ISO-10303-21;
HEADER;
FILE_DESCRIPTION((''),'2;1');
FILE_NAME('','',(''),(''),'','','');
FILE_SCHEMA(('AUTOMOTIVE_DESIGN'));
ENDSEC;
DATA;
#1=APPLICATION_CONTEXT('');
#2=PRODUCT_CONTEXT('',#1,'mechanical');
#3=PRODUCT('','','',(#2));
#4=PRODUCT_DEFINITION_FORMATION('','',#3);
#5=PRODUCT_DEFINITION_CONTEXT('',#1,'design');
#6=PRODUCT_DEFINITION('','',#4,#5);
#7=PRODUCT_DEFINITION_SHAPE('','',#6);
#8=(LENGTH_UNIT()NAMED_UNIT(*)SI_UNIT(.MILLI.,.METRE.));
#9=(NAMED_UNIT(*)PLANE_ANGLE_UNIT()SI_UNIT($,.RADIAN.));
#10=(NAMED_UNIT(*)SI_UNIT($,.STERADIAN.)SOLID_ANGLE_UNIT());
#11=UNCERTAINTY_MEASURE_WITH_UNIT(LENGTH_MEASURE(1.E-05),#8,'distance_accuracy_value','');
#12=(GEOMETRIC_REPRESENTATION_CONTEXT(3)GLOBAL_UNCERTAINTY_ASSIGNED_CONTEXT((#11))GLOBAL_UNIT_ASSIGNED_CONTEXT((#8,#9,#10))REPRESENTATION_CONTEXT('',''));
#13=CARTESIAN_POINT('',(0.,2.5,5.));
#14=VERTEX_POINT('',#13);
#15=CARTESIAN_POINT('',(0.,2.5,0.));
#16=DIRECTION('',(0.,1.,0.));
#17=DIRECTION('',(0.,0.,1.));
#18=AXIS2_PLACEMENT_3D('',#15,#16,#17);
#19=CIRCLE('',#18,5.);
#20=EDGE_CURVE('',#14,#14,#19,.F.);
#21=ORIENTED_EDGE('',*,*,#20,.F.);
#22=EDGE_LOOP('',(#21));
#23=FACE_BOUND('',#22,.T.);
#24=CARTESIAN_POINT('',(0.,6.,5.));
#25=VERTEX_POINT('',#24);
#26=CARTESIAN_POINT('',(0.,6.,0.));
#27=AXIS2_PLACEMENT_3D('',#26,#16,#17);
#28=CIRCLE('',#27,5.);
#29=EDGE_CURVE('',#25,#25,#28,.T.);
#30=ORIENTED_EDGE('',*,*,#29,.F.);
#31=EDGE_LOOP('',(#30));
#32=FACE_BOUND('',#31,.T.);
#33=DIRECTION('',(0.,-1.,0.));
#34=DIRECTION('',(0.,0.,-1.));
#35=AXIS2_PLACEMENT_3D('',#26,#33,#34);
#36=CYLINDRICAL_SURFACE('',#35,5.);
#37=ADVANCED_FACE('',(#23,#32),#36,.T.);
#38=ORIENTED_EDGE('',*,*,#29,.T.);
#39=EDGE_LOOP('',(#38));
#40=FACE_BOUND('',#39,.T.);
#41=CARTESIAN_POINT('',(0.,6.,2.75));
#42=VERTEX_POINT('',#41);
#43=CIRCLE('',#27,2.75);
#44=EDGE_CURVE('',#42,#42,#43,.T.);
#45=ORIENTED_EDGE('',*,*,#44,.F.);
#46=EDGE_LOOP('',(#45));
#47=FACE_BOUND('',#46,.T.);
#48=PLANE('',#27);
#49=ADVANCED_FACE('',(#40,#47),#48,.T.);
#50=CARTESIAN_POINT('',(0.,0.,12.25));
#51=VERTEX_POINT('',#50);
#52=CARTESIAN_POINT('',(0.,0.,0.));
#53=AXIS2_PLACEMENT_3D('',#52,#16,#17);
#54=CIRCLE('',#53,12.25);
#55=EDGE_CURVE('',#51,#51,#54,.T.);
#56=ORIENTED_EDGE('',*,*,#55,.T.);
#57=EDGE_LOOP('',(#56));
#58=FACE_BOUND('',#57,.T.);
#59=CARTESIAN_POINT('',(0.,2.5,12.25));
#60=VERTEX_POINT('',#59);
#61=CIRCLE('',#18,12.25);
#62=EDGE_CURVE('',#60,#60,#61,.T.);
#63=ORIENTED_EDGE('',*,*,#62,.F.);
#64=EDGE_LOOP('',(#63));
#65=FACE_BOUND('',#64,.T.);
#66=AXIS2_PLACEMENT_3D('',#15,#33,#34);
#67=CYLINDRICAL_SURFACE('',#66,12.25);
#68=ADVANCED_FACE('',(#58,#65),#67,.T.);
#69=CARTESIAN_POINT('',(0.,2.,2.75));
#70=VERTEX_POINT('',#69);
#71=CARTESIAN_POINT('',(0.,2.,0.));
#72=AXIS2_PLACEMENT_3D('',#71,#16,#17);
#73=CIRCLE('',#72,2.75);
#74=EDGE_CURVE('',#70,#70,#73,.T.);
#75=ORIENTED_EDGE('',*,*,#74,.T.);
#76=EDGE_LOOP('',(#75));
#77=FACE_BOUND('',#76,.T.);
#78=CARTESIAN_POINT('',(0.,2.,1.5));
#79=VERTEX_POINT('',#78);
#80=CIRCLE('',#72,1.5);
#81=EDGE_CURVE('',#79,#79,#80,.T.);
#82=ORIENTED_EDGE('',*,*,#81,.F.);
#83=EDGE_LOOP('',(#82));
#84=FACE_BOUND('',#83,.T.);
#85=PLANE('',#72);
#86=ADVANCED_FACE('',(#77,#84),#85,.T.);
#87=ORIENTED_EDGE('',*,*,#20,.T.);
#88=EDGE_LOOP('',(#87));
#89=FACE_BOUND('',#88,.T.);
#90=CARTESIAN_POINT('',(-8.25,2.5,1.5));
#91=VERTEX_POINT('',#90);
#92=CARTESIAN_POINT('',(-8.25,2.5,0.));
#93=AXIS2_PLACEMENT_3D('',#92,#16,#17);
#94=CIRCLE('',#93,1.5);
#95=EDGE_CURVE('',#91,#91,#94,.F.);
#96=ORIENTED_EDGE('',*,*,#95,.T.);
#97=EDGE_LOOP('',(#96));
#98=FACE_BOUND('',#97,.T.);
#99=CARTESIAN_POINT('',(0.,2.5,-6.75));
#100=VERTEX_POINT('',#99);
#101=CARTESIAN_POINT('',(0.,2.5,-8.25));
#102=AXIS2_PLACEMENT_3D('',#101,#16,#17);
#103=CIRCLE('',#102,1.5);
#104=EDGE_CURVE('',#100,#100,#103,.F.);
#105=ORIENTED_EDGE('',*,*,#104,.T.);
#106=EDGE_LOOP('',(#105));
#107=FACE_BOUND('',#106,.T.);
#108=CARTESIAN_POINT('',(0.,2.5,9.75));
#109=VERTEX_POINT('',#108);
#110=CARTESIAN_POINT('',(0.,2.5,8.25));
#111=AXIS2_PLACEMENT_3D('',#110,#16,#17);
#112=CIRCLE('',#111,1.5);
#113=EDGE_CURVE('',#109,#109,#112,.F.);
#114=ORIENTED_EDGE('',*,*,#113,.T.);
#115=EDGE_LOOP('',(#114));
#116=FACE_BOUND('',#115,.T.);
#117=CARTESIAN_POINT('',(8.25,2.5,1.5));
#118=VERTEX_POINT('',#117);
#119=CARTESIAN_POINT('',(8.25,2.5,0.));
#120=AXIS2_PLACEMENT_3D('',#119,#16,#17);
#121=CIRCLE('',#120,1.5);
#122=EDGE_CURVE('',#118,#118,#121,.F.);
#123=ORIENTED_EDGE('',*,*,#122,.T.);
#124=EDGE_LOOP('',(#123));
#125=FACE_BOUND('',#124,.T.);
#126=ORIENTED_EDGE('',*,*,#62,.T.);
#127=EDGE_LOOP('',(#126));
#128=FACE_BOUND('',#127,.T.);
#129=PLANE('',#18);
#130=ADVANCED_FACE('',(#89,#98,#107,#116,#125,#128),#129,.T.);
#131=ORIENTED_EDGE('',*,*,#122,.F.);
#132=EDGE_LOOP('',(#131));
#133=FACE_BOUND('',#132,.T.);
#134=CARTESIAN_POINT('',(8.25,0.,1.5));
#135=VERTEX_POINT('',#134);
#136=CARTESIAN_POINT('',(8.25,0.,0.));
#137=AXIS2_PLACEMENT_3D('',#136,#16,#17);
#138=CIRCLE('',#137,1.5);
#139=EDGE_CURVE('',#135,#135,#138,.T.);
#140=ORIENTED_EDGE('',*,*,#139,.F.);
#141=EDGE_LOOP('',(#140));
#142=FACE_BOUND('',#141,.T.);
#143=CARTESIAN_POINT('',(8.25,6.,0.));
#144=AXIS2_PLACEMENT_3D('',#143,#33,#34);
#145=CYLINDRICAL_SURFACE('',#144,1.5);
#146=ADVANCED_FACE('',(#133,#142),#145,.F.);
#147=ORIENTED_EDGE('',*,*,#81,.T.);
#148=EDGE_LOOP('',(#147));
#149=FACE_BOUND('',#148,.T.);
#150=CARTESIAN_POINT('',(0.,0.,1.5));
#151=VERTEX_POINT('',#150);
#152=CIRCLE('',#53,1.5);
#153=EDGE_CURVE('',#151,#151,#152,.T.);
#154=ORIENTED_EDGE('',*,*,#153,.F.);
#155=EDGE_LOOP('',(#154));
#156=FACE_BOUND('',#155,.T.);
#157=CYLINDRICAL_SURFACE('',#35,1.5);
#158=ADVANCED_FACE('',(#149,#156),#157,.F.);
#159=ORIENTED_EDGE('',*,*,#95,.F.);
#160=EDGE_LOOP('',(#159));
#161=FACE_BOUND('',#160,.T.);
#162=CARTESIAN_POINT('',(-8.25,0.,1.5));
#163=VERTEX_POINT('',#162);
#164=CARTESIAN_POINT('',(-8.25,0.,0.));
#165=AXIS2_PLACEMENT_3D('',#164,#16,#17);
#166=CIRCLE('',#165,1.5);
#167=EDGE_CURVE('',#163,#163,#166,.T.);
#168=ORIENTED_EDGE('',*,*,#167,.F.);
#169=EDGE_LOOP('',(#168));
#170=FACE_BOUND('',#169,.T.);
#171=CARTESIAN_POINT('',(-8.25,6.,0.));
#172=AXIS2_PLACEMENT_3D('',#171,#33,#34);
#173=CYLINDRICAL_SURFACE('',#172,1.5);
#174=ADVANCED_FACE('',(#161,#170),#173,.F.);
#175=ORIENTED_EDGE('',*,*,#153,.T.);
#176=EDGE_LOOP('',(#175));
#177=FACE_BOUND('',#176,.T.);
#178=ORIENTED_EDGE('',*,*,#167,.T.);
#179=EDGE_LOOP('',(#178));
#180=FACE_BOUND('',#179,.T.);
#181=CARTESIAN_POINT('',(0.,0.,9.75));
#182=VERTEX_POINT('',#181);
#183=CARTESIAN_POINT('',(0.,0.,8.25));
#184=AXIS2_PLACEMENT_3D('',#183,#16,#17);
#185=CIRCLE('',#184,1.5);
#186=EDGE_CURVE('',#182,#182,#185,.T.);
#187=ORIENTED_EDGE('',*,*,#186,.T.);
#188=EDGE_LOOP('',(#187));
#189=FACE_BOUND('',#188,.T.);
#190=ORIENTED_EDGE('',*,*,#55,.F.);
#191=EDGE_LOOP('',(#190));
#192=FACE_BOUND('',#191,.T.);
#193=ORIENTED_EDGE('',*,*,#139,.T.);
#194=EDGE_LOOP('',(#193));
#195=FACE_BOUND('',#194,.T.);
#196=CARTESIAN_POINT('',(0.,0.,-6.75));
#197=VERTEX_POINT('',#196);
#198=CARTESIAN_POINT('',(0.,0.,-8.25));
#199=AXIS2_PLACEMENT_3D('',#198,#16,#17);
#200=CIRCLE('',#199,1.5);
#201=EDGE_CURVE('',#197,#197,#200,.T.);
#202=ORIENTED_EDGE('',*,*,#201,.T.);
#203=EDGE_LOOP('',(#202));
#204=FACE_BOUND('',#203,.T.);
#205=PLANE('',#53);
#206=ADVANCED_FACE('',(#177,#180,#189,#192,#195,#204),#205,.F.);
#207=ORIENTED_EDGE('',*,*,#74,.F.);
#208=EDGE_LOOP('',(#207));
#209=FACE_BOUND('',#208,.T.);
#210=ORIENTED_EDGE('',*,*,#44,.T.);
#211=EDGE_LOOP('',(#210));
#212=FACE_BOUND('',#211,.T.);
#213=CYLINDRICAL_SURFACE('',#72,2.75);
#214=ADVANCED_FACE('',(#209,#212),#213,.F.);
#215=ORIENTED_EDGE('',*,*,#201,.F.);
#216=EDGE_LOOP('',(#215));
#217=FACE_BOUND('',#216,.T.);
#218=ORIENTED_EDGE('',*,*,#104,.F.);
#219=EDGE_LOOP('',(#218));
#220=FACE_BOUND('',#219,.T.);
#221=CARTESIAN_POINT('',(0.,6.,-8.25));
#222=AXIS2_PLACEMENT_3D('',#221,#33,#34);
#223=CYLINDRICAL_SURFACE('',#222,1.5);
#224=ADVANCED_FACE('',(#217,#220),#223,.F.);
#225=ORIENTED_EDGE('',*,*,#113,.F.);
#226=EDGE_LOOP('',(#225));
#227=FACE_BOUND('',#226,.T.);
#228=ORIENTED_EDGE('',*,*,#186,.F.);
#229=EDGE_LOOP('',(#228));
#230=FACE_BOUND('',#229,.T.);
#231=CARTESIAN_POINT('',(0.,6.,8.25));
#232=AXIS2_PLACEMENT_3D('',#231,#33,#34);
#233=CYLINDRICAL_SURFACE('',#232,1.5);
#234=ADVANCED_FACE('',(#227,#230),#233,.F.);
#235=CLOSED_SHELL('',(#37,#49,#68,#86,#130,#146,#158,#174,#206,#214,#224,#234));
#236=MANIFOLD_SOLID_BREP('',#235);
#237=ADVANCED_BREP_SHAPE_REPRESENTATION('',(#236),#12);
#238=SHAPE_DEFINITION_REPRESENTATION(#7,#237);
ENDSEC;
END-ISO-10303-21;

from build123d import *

# Parameters (mm, degrees)
SKETCH_1_R          = 12.25
EXTRUDE_1_DEPTH     = 2.5
SKETCH_1_3_R        = 5
EXTRUDE_2_DEPTH     = 6
SKETCH_2_R          = 1.5
CUT_EXTRUDE_2_DEPTH = 6
CUT_EXTRUDE_START   = 6
SKETCH_2_3_R        = 2.75
CUT_EXTRUDE_3_DEPTH = 4


with BuildPart() as part:
    # Эскиз1 → Бобышка-Вытянуть1 (new body)
    with BuildSketch(Plane(origin=(0, 0, 0), x_dir=(1, 0, 0), z_dir=(0, 1, 0))):
        Circle(SKETCH_1_R)
    extrude(amount=EXTRUDE_1_DEPTH)

    # Эскиз1<3> → Бобышка-Вытянуть2 (add)
    with BuildSketch(Plane(origin=(0, 0, 0), x_dir=(1, 0, 0), z_dir=(0, 1, 0))):
        Circle(SKETCH_1_3_R)
    extrude(amount=EXTRUDE_2_DEPTH)

    # Эскиз2 → Вырез-Вытянуть2 (cut)
    with BuildSketch(Plane(origin=(0, 0, 0), x_dir=(1, 0, 0), z_dir=(0, 1, 0))):
        Circle(SKETCH_2_R)
        with Locations((-8.25, 0)):
            Circle(SKETCH_2_R)
        with Locations((0, 8.25)):
            Circle(SKETCH_2_R)
        with Locations((8.25, 0)):
            Circle(SKETCH_2_R)
        with Locations((0, -8.25)):
            Circle(SKETCH_2_R)
    extrude(amount=CUT_EXTRUDE_2_DEPTH, mode=Mode.SUBTRACT)

    # Эскиз2<3> → Вырез-Вытянуть3 (cut)
    with BuildSketch(Plane(origin=(0, 0, 0), x_dir=(1, 0, 0), z_dir=(0, 1, 0)).offset(CUT_EXTRUDE_START)):
        Circle(SKETCH_2_3_R)
    extrude(amount=-CUT_EXTRUDE_3_DEPTH, mode=Mode.SUBTRACT)


solid = part.part
